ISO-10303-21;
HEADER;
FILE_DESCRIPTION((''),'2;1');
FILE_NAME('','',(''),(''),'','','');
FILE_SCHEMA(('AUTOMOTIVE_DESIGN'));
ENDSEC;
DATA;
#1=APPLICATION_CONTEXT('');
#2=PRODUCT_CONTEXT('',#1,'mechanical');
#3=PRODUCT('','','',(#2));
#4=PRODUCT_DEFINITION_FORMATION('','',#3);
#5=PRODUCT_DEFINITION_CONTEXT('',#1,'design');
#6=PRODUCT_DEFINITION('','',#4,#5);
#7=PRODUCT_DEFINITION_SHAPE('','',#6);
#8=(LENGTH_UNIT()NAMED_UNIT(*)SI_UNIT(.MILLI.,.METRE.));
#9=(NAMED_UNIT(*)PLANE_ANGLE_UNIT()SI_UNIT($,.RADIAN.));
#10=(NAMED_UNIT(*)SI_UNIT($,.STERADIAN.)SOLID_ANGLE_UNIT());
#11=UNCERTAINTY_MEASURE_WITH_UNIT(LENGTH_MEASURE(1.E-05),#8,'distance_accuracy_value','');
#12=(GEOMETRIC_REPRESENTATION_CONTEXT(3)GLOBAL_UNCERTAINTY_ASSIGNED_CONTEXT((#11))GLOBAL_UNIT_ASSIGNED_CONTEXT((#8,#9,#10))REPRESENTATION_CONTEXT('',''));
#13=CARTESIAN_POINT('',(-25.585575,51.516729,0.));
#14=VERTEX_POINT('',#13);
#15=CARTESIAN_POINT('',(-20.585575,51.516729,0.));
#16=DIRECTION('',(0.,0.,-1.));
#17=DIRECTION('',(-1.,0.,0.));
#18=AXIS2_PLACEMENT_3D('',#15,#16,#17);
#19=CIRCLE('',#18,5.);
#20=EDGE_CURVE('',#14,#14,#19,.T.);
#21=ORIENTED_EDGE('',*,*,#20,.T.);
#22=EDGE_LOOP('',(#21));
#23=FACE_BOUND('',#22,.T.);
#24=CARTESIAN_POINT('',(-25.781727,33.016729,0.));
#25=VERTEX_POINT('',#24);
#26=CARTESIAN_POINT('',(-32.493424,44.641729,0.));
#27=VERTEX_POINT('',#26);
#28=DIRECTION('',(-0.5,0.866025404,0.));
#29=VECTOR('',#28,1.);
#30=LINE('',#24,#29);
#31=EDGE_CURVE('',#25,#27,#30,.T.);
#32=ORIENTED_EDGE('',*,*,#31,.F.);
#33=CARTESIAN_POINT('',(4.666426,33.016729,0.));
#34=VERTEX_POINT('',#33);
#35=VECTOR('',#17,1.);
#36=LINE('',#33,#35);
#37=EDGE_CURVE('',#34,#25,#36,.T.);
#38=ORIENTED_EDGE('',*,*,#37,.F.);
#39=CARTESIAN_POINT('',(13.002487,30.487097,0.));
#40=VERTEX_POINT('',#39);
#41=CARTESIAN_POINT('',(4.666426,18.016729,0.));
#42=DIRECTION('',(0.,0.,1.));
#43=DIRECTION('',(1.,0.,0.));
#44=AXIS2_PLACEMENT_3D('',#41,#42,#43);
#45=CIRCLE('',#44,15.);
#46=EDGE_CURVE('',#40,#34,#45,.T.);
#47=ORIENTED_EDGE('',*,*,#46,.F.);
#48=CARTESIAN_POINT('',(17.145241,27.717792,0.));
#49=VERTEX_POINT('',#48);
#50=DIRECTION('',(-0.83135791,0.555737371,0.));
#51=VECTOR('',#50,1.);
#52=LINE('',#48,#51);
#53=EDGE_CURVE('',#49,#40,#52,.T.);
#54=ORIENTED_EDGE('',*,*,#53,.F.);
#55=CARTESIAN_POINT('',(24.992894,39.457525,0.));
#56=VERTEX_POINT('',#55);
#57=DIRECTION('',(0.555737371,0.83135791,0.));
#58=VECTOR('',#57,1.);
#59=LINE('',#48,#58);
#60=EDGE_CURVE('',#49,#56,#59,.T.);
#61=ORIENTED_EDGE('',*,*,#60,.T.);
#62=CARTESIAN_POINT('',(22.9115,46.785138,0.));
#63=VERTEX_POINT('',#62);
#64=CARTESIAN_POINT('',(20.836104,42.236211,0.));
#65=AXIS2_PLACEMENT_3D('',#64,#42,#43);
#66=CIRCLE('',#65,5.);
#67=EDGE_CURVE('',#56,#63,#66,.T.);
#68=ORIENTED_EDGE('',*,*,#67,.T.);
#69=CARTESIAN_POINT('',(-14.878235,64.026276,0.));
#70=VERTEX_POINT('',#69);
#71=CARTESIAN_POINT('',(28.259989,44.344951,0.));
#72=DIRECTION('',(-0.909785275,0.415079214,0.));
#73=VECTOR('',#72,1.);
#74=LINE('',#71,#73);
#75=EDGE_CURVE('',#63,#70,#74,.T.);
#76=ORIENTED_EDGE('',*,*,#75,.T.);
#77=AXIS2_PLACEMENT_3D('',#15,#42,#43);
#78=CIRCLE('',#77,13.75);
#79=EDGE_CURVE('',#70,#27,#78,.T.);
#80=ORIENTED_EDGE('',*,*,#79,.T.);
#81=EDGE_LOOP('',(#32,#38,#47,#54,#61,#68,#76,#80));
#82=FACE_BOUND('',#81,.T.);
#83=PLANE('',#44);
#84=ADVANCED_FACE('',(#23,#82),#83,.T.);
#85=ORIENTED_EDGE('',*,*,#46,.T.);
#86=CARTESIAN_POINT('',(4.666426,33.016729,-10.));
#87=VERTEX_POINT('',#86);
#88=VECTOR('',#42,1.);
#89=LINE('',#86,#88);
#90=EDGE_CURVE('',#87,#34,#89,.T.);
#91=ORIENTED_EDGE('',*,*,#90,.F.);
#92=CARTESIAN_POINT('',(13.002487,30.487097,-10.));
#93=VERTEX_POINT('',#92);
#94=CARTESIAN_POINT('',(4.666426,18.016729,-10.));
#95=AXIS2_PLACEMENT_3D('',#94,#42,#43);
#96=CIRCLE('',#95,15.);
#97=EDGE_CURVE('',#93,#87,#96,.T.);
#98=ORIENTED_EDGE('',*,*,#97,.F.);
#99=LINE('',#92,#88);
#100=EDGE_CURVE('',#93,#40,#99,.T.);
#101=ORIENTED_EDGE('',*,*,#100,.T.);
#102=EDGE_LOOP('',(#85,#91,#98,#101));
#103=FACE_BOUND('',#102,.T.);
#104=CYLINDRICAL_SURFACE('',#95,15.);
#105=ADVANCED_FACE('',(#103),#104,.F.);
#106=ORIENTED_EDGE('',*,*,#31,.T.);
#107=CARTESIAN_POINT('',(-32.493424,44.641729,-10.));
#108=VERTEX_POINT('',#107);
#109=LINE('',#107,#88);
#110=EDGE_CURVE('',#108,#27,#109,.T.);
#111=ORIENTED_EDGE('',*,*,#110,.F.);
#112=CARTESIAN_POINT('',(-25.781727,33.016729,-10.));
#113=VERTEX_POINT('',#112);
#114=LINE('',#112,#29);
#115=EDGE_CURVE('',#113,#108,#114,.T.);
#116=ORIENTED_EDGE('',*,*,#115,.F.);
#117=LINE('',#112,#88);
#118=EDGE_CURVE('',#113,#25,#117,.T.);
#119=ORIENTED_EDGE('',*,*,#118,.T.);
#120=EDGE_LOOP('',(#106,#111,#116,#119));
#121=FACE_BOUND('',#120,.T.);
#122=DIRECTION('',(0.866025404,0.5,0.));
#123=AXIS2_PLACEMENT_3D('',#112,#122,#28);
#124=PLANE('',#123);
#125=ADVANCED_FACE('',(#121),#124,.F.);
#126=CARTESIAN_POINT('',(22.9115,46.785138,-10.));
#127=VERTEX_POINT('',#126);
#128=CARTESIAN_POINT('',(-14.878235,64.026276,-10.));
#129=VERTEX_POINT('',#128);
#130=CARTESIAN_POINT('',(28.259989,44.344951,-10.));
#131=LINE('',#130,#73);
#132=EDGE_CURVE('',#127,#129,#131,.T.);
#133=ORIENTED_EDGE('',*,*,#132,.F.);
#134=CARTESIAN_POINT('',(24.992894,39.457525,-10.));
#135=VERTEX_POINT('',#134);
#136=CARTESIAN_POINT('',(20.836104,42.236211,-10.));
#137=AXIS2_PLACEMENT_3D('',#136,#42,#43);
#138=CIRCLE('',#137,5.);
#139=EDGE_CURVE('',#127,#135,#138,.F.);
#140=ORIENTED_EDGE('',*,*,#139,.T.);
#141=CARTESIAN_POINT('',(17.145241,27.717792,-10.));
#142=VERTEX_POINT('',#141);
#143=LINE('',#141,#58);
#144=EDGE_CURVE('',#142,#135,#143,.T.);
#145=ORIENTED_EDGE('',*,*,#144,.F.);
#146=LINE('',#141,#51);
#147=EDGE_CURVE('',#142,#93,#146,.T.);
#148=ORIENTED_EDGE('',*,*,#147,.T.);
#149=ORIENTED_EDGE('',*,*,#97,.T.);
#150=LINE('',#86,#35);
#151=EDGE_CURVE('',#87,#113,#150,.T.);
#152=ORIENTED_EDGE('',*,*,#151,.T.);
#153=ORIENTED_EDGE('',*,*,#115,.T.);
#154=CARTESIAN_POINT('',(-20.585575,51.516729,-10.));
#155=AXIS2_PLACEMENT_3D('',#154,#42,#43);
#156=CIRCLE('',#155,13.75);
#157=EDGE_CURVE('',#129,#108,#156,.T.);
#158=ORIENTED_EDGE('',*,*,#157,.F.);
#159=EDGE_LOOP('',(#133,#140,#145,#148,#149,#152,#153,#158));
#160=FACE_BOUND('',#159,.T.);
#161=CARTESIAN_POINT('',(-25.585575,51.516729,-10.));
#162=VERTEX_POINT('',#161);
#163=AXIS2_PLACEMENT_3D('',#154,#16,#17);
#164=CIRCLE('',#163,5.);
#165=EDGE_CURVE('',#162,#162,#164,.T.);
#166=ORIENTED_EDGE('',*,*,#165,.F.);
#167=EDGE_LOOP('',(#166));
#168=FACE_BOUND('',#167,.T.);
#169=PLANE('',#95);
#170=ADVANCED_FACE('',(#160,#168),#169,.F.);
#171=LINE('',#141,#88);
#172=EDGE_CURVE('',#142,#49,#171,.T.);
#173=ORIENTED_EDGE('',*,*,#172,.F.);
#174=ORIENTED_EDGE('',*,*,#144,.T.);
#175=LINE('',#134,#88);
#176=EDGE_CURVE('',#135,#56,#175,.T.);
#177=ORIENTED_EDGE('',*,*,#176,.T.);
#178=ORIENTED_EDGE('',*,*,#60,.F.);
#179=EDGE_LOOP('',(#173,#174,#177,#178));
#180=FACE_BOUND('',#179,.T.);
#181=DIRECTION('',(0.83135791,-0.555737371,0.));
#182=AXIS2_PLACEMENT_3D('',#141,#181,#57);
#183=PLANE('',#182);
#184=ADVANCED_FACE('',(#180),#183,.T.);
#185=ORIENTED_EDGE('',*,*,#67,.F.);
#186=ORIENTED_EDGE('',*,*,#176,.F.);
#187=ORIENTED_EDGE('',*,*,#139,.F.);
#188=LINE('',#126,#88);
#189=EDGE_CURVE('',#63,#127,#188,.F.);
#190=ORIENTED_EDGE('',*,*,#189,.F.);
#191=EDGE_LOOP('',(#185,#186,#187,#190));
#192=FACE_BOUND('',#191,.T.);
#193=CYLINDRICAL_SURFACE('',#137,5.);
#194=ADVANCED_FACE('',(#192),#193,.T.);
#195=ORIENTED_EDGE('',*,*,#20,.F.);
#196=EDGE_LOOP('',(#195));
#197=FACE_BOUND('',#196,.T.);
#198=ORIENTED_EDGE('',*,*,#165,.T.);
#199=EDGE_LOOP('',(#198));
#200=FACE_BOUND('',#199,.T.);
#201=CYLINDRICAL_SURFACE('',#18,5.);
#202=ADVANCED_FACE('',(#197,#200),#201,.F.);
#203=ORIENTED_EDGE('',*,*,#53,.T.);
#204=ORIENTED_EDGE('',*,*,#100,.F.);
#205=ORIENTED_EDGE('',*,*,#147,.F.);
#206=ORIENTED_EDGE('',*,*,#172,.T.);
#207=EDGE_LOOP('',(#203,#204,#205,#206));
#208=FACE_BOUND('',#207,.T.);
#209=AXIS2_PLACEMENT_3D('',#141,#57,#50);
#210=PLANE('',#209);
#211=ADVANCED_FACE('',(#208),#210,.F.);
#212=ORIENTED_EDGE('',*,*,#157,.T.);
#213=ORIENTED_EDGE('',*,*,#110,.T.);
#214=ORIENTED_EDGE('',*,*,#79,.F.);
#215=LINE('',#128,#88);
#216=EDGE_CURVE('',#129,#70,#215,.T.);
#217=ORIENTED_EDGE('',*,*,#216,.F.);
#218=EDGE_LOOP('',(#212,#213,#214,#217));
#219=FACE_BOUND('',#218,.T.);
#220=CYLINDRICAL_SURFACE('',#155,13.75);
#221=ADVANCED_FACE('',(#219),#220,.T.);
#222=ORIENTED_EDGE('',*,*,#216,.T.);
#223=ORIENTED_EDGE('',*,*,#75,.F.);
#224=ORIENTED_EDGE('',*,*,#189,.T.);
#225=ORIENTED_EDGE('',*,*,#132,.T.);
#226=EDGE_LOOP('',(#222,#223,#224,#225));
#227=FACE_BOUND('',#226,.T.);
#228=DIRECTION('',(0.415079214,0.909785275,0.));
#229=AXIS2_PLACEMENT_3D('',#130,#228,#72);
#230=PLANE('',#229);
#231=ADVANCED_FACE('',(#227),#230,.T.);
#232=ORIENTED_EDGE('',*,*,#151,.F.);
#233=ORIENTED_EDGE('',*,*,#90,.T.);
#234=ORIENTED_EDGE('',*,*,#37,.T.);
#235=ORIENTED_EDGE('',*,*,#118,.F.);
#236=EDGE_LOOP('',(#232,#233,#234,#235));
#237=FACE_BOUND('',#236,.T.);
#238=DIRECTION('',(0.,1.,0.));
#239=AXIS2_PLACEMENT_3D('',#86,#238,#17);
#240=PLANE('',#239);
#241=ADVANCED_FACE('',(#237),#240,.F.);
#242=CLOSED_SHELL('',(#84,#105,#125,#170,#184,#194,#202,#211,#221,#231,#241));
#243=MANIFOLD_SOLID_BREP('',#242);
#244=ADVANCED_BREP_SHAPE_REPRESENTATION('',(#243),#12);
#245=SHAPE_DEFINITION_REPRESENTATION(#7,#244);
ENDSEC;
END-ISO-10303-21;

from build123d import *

# Parameters (mm, degrees)
BASE_EXTRUDE_DEPTH = 10
SKETCH2_R          = 5
CUT_EXTRUDE1_DEPTH = 11
FILLET1_R          = 5


with BuildPart() as part:
    # Sketch1 → Base-Extrude (new body)
    with BuildSketch(Plane.XY):
        with BuildLine():
            Line((17.145241183, 27.717792456), (28.25998861, 44.344950651))
            Line((28.25998861, 44.344950651), (-14.878235452, 64.026276153))
            ThreePointArc((-14.878235452, 64.026276153), (-30.761612778, 60.763930789), (-32.493423944, 44.641728625))
            Line((-32.493423944, 44.641728625), (-25.781727065, 33.016728625))
            Line((-25.781727065, 33.016728625), (4.666426174, 33.016728625))
            ThreePointArc((4.666426174, 33.016728625), (9.022139107, 32.370395921), (13.002486744, 30.487097271))
            Line((13.002486744, 30.487097271), (17.145241183, 27.717792456))
        make_face()
    extrude(amount=-BASE_EXTRUDE_DEPTH)

    # Sketch2 → Cut-Extrude1 (cut, through all)
    with BuildSketch(Plane(origin=(0, 0, -10), x_dir=(-1, 0, 0), z_dir=(0, 0, -1))):
        with Locations((20.585574642, 51.516728625)):
            Circle(SKETCH2_R)
    extrude(amount=-CUT_EXTRUDE1_DEPTH, mode=Mode.SUBTRACT)

    # Fillet1
    fillet1_edges = [part.edges().sort_by_distance(p)[0] for p in [
        (28.25998861, 44.344950651, -5),
    ]]
    fillet(fillet1_edges, radius=FILLET1_R)


solid = part.part
